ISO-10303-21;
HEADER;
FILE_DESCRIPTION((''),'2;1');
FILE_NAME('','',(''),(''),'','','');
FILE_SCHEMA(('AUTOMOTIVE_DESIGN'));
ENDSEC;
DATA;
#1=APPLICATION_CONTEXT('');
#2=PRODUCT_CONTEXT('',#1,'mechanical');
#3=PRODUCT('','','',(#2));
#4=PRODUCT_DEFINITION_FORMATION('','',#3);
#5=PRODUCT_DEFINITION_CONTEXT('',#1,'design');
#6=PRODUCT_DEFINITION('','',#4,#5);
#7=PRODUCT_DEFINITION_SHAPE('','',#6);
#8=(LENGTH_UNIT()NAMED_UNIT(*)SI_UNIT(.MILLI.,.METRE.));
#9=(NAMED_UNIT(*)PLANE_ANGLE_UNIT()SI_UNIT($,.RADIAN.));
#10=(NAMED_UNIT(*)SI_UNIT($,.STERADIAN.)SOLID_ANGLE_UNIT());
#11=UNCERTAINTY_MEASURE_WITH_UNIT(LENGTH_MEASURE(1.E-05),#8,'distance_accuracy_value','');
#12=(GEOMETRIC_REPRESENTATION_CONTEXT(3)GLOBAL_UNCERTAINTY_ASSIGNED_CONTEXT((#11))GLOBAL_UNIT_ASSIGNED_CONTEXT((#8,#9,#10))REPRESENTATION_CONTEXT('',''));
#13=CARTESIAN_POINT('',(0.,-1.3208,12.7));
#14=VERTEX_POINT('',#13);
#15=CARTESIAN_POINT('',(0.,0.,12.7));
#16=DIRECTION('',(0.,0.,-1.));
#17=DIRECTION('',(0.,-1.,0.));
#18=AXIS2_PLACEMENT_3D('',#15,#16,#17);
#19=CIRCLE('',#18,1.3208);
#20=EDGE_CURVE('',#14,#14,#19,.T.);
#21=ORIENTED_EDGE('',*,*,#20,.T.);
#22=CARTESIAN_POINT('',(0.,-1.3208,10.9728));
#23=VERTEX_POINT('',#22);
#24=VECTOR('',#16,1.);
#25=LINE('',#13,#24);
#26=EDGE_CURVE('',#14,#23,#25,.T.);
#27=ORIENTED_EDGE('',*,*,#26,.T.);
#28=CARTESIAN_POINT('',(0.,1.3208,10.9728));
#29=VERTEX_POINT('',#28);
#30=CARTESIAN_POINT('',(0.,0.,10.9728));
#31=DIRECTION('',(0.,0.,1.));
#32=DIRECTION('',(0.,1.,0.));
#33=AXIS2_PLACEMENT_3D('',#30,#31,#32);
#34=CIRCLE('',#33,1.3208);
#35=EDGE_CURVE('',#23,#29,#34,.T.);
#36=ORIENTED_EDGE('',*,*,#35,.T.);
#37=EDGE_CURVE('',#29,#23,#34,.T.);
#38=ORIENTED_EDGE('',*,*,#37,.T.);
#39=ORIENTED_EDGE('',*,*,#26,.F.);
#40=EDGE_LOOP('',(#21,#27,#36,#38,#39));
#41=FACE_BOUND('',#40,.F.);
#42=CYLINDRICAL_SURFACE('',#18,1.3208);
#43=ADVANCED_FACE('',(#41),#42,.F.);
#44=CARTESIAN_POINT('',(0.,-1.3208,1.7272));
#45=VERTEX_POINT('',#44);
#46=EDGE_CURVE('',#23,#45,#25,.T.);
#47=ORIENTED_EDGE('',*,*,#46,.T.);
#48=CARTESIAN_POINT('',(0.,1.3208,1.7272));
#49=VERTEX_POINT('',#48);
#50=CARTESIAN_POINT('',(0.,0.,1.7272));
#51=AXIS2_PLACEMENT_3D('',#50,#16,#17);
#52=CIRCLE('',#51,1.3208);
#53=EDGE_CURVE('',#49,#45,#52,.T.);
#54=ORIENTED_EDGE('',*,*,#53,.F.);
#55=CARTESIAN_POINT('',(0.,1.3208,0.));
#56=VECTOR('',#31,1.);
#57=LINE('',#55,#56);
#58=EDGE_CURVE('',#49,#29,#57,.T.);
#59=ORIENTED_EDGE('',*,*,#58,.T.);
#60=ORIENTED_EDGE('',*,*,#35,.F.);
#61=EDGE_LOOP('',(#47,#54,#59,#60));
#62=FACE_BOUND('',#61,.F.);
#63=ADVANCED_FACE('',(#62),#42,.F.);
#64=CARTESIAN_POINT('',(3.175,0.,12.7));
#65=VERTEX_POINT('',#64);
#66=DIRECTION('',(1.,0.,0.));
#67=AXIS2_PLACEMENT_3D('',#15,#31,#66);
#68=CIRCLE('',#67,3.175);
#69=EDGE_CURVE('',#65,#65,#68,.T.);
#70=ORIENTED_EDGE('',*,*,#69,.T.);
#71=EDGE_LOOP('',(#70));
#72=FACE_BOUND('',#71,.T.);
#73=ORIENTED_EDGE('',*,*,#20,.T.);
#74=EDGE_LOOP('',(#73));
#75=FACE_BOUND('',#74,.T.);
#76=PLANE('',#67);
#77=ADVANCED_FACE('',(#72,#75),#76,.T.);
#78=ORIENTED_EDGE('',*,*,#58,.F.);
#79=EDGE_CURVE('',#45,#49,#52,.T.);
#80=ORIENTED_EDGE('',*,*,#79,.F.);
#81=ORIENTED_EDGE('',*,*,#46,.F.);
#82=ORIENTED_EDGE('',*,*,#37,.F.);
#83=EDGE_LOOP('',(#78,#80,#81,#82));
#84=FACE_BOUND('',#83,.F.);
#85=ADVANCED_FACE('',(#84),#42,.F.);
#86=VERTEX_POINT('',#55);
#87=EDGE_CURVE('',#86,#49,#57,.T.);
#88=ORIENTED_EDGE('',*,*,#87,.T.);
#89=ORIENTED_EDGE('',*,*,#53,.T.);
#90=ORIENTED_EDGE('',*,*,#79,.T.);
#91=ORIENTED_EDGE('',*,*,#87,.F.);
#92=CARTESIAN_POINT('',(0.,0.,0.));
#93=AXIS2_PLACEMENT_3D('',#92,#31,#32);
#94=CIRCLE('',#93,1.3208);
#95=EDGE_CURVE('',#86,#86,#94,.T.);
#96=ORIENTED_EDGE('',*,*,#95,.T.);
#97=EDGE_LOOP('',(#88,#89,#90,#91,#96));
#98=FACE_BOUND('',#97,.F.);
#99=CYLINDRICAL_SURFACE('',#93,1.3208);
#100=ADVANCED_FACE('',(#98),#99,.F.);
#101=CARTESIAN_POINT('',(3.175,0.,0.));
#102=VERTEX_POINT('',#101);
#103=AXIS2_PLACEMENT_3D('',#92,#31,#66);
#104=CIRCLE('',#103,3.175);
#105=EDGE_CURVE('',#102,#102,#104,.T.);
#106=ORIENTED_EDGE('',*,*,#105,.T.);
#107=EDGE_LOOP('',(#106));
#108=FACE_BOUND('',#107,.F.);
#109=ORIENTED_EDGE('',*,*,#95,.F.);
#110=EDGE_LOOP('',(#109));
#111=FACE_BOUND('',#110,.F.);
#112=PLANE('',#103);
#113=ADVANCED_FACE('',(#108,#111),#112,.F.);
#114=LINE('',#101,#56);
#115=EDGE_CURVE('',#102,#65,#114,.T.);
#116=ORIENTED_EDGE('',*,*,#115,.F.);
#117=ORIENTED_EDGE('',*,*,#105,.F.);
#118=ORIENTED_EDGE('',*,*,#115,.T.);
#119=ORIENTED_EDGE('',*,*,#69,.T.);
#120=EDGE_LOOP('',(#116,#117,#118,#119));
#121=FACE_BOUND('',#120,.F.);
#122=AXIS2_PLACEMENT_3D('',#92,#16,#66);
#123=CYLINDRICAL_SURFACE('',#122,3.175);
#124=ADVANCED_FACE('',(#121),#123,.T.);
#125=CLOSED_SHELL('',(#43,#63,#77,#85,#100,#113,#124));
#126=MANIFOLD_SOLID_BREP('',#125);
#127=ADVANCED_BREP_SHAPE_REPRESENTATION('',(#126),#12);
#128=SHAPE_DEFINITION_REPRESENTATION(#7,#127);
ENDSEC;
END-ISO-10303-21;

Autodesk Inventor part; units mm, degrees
ref_plane "YZ Plane" through (0, 0, 0) normal (1, 0, 0) x (0, 1, 0)
ref_plane "XZ Plane" through (0, 0, 0) normal (0, 1, 0) x (-1, 0, 0)
ref_plane "XY Plane" through (0, 0, 0) normal (0, 0, 1) x (1, 0, 0)
sketch "Sketch1" plane through (0, 0, 0) normal (0, 0, 1) x (1, 0, 0)
  circle A0 centre (0, 0) radius 3.175
  dimension "d0" = 6.35
extrude "Extrusion1" add sketch "Sketch1" along normal blind 12.7
sketch "Sketch2" plane through (0, 0, 12.7) normal (0, 0, 1) x (1, 0, 0)
  point P0 (0, 0)
  point P1 (0, 0)
hole "Hole1" at (0, 0, 12.7) direction (0, 0, -1) diameter 2.6416 depth 10.9728 tip angle 118 thread size "6-32 UNC" class "2B" standard "ANSI Unified Screw Threads"
sketch "Sketch3" plane through (0, 0, 0) normal (0, 0, -1) x (-1, 0, 0)
  point P0 (0, 0)
  point P1 (0, 0)
hole "Hole2" at (0, 0, 0) at (0, 0, 0) direction (0, 0, 1) diameter 2.6416 depth 10.9728 tip angle 118 thread size "6-32 UNC" class "2B" standard "ANSI Unified Screw Threads"
properties part number "Standoff"
